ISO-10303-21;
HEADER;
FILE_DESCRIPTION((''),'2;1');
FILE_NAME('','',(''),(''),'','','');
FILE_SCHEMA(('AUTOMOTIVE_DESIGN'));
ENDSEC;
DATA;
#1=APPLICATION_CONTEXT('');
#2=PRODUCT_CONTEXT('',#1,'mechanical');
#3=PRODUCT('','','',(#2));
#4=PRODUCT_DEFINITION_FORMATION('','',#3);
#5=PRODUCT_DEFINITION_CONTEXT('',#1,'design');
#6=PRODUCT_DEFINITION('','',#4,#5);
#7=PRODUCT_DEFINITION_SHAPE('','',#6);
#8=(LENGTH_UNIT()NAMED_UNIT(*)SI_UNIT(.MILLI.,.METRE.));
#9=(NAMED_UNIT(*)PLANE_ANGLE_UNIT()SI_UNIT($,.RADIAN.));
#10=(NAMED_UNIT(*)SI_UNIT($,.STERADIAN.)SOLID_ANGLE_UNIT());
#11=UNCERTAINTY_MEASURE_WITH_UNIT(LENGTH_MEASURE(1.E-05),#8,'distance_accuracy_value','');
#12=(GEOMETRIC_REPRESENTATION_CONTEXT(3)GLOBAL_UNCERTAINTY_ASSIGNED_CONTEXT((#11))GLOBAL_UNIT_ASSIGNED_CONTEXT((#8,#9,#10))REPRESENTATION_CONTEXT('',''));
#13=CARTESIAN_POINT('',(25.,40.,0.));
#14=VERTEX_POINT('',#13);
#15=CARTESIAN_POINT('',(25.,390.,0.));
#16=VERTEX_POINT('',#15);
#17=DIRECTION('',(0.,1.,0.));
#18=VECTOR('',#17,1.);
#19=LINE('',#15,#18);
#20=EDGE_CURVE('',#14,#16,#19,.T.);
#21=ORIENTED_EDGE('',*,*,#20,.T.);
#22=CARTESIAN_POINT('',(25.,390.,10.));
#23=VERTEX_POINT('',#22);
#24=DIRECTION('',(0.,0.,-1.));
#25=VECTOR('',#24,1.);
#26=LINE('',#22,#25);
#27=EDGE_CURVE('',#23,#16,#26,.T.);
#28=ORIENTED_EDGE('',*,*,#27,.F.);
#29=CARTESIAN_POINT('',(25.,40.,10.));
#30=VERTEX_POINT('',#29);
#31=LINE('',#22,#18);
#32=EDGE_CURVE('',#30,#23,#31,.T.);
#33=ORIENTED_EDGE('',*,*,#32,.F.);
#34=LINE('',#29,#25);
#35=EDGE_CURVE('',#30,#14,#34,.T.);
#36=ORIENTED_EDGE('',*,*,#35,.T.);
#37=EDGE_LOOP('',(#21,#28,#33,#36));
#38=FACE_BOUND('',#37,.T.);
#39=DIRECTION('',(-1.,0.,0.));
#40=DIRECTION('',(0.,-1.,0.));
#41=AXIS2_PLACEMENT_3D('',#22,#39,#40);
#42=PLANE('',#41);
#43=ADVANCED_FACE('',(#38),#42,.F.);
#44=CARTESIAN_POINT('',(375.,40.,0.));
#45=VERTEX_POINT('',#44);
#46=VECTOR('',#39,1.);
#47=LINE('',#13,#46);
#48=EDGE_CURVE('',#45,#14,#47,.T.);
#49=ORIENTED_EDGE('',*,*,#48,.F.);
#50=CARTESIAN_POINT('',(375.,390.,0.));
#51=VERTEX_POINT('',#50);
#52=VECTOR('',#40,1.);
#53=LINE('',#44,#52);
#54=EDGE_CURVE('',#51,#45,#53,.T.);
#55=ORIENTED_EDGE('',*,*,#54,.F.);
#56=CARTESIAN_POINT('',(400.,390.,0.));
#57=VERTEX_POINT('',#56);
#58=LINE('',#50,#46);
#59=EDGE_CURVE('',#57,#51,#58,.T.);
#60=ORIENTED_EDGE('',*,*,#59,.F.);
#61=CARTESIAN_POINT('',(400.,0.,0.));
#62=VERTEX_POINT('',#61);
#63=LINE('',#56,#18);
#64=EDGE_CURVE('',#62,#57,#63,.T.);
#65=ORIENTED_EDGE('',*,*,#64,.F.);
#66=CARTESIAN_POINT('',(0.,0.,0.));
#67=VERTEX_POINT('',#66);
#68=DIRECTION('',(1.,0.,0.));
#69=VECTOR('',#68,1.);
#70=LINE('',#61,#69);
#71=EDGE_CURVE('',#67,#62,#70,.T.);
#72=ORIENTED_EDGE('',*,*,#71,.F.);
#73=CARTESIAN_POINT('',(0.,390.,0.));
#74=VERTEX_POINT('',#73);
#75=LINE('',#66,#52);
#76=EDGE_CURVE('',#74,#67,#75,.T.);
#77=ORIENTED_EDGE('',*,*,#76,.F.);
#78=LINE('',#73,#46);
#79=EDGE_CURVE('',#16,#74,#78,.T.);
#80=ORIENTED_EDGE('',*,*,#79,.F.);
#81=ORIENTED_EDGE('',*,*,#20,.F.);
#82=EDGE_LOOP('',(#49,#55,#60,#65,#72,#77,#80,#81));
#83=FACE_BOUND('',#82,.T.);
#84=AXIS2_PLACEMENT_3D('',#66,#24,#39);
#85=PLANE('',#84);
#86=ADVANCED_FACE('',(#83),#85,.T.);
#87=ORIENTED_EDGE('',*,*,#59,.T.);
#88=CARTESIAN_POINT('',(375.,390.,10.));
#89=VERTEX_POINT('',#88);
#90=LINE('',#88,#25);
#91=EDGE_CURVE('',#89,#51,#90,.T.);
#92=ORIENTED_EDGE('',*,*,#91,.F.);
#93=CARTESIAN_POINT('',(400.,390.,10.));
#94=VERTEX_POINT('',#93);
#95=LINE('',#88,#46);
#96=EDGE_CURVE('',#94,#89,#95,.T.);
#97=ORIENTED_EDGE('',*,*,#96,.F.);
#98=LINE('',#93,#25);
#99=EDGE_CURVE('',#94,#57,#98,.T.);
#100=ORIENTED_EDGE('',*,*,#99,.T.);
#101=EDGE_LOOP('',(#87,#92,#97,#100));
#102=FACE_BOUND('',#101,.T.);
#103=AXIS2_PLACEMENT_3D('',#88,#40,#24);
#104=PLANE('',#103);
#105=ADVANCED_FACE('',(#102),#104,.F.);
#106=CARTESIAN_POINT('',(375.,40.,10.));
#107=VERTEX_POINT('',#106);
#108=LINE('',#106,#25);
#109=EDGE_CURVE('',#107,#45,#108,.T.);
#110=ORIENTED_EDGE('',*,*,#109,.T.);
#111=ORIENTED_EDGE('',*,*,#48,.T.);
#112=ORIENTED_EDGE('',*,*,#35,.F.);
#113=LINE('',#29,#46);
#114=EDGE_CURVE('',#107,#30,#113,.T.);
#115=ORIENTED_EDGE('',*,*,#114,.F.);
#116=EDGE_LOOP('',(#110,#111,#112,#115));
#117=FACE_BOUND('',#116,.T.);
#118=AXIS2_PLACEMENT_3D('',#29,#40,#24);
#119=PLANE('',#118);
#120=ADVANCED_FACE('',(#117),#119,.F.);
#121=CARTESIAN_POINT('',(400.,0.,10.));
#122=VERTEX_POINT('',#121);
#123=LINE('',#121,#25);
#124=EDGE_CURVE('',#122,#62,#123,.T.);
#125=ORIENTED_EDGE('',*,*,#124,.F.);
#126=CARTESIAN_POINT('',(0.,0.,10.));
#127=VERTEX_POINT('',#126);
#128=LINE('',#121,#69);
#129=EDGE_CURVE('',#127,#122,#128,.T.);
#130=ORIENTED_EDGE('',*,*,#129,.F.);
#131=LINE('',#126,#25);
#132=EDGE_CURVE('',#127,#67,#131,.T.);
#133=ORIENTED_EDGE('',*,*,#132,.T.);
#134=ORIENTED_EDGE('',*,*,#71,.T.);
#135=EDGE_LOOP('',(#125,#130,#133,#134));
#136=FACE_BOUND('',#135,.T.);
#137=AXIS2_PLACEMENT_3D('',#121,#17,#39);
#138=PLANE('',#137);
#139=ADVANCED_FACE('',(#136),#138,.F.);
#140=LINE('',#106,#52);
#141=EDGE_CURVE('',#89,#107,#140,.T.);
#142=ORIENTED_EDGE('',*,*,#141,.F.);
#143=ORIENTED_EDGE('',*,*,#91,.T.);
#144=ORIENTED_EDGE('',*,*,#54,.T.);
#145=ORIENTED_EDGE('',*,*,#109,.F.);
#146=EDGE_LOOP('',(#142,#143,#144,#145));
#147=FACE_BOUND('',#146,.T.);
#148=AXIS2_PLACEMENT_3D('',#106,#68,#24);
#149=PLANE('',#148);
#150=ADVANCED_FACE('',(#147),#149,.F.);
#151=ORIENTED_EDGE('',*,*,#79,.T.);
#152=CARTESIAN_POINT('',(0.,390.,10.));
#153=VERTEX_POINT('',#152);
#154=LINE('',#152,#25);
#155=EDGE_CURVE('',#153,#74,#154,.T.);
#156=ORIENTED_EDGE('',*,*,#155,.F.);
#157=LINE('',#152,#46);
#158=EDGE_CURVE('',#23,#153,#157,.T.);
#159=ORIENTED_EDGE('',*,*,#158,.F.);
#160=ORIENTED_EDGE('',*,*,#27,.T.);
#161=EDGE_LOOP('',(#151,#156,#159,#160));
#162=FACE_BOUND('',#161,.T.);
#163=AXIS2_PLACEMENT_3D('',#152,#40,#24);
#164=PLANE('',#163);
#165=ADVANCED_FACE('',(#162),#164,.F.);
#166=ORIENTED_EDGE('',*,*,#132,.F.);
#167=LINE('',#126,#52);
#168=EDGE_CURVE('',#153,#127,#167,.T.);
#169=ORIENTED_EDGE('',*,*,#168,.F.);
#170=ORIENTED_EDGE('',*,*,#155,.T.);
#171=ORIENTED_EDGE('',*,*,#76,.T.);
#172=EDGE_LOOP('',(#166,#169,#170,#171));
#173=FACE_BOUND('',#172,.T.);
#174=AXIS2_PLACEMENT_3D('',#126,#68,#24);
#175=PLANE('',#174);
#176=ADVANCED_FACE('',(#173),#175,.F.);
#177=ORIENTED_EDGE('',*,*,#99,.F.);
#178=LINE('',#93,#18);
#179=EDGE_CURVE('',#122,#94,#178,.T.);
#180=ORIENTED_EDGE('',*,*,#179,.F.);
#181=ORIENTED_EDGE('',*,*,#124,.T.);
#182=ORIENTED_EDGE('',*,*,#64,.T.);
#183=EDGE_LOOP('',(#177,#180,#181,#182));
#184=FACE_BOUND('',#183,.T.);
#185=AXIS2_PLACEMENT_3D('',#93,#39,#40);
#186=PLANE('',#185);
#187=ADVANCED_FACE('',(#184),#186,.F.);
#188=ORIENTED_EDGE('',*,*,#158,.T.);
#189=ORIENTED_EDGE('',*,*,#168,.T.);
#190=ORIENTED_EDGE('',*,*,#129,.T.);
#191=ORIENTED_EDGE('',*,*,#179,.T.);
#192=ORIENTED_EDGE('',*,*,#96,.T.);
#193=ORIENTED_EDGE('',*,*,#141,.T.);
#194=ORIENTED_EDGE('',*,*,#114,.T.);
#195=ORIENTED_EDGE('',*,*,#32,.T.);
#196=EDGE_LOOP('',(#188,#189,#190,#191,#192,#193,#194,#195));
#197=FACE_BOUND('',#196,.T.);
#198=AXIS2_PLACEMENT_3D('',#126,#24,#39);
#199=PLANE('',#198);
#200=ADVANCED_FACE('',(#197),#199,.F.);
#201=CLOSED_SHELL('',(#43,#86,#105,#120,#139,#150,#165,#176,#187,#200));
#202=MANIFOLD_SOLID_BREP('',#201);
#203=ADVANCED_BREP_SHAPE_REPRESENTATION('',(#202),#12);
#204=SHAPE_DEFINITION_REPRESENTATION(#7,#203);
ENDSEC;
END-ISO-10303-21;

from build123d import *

# Parameters (mm, degrees)
BOSS_EXTRUDE1_DEPTH = 10


with BuildPart() as part:
    # Sketch1 → Boss-Extrude1 (new body)
    with BuildSketch(Plane.XY):
        Polygon((0, 390), (25, 390), (25, 40), (375, 40), (375, 390), (400, 390), (400, 0), (0, 0), align=None)
    extrude(amount=BOSS_EXTRUDE1_DEPTH)


solid = part.part
